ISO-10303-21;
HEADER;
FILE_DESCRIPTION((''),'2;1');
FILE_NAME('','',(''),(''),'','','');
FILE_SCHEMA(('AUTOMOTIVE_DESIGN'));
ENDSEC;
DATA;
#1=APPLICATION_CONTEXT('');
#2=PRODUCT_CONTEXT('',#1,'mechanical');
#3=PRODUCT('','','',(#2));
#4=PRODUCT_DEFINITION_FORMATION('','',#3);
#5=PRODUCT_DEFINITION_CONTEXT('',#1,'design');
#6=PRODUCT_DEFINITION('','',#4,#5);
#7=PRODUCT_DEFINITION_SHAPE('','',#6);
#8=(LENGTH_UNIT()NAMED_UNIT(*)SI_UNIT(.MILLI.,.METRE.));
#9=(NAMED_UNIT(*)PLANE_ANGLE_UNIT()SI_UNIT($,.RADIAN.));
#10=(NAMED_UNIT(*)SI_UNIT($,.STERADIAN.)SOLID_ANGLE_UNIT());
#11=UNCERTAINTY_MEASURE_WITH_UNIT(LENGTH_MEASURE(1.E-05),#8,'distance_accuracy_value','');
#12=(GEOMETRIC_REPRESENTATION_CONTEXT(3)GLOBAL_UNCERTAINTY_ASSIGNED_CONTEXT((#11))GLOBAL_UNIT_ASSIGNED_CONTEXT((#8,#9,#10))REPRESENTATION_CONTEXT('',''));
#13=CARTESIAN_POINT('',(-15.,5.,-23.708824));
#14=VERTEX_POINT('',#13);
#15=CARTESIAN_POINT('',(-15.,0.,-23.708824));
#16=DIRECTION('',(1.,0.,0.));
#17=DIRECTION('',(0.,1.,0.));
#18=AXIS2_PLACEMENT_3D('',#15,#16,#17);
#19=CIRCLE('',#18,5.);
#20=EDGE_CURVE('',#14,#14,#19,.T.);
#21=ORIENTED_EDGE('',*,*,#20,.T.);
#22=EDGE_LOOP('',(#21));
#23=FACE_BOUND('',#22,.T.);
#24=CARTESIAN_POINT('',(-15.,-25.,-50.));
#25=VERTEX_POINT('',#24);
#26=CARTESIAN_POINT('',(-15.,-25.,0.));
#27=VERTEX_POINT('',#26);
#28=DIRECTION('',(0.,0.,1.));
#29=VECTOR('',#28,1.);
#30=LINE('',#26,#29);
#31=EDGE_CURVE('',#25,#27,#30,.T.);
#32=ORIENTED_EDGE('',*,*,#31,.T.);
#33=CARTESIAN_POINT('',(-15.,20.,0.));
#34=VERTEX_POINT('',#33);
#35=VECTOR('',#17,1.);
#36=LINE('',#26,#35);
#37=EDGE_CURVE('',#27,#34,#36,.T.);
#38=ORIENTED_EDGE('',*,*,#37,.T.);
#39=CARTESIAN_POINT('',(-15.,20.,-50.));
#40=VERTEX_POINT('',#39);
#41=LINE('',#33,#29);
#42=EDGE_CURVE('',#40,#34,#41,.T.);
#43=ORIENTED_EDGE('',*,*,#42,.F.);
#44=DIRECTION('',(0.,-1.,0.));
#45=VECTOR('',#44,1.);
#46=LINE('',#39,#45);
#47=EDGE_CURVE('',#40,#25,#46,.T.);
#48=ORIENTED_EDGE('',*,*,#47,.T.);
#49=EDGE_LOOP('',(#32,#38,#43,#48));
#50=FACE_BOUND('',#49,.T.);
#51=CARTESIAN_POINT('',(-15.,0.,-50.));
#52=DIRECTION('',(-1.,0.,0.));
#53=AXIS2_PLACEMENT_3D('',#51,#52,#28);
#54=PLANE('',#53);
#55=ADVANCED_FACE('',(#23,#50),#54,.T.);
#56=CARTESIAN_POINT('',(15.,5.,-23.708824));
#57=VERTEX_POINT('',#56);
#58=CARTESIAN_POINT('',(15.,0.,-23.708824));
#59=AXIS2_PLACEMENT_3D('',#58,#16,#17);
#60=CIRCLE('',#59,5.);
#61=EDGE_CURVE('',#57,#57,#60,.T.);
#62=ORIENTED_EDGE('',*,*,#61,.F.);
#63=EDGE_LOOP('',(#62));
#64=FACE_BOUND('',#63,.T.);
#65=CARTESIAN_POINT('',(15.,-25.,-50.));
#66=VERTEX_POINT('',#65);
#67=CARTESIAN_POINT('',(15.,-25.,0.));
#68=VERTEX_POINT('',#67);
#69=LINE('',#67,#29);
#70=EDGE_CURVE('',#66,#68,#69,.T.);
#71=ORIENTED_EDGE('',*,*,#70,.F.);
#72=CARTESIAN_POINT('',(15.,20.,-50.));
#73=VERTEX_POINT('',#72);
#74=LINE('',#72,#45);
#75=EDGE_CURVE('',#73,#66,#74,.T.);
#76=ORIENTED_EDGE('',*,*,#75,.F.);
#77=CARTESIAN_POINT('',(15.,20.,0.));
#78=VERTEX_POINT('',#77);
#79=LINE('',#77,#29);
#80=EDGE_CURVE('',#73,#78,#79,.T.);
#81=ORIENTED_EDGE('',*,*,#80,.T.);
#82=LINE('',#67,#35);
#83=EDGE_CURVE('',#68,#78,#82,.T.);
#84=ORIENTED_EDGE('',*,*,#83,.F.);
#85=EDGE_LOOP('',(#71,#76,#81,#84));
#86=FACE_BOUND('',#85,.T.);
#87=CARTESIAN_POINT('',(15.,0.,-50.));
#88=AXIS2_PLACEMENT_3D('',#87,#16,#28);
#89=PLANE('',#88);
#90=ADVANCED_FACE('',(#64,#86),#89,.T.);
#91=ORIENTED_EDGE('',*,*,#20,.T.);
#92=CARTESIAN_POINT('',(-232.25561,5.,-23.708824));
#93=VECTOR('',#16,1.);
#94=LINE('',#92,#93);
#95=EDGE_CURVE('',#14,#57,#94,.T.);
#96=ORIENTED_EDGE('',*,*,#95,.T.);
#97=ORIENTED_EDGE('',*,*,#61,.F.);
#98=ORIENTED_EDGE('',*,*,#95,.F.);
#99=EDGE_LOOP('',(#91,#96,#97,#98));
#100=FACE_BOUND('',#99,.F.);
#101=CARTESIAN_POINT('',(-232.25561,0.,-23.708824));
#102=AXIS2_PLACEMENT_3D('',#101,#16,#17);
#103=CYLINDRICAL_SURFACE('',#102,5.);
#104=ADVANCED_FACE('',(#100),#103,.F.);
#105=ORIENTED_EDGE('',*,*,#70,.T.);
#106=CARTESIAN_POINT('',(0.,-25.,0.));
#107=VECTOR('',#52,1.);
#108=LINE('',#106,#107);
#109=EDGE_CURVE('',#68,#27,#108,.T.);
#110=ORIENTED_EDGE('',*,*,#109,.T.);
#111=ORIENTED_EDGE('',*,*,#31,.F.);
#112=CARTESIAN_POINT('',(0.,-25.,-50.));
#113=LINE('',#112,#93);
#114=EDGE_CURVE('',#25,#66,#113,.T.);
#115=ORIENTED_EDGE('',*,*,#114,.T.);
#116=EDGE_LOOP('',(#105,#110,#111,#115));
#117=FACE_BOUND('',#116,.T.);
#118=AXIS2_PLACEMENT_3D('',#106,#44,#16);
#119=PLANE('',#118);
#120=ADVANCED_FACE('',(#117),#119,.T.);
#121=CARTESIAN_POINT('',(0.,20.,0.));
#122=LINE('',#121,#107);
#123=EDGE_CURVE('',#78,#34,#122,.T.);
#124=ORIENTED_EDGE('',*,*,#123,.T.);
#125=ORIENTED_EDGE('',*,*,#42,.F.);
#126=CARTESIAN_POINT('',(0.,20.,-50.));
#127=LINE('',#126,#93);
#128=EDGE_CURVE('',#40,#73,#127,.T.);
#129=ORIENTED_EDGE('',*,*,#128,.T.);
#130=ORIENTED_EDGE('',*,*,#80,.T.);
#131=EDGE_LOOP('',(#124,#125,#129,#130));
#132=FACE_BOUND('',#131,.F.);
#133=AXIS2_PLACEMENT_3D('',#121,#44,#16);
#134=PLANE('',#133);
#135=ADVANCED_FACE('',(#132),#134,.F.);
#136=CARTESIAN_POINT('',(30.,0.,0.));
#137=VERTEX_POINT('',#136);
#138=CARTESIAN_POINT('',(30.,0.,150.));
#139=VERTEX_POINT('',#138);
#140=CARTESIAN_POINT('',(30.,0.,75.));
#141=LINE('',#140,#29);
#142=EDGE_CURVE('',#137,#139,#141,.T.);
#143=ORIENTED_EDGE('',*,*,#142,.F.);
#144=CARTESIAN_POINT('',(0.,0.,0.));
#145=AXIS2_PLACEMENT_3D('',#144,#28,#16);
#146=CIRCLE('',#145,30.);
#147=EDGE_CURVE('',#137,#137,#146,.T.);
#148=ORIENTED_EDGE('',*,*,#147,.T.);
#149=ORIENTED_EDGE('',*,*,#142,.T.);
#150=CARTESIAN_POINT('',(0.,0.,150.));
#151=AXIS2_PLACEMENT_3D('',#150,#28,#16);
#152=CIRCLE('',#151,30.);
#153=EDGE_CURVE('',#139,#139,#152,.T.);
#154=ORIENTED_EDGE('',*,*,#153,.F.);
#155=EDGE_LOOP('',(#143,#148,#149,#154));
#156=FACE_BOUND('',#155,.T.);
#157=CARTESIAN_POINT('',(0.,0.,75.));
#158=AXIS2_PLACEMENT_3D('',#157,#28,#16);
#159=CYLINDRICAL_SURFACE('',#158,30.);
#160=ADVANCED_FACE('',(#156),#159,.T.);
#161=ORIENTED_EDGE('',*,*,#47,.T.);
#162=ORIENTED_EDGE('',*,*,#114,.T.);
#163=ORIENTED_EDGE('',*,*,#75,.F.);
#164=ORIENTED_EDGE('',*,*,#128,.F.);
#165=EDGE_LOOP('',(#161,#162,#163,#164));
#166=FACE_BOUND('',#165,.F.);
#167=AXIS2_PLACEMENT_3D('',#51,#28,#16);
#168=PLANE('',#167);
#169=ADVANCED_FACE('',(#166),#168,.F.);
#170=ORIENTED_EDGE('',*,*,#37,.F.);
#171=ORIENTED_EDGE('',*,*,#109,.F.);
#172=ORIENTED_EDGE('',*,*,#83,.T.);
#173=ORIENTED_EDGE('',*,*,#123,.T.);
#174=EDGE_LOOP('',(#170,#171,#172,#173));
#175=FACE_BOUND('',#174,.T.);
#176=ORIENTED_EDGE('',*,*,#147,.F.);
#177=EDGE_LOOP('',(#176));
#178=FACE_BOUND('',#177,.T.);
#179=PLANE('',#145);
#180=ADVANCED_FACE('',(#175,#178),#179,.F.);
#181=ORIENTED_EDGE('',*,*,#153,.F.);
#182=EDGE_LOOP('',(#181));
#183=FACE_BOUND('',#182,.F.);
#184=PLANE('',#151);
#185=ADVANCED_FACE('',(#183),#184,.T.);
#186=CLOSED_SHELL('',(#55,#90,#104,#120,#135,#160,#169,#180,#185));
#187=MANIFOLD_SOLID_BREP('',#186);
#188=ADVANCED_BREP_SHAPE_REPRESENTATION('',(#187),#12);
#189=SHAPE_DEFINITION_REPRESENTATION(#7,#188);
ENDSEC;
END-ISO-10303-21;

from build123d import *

# Parameters (mm, degrees)
F0_W          = 30
F0_H          = 150
F2_W          = 30
F2_H          = 100
F3_DEPTH      = 20
F3_DEPTH_BACK = 25
F5_D          = 10


with BuildPart() as f1:
    # F0 (on Front) → F1 (revolve)
    with BuildSketch(Plane.XZ):
        with Locations((15, 75)):
            Rectangle(F0_W, F0_H)
    revolve(axis=Axis((0, 0, 75), (0, 0, 1)))

    # F2 (on Front) → F3 (join, two sides)
    with BuildSketch(Plane.XZ) as f3_sk:
        Rectangle(F2_W, F2_H)
    extrude(amount=-F3_DEPTH)
    extrude(f3_sk.sketch, amount=F3_DEPTH_BACK)

    # F5 (through all)
    with Locations(Plane(origin=(-15, 0, 0), x_dir=(0, -1, 0), z_dir=(-1, 0, 0))):
        with Locations((0, -23.7088240683)):
            Hole(F5_D / 2)


solid = f1.part
